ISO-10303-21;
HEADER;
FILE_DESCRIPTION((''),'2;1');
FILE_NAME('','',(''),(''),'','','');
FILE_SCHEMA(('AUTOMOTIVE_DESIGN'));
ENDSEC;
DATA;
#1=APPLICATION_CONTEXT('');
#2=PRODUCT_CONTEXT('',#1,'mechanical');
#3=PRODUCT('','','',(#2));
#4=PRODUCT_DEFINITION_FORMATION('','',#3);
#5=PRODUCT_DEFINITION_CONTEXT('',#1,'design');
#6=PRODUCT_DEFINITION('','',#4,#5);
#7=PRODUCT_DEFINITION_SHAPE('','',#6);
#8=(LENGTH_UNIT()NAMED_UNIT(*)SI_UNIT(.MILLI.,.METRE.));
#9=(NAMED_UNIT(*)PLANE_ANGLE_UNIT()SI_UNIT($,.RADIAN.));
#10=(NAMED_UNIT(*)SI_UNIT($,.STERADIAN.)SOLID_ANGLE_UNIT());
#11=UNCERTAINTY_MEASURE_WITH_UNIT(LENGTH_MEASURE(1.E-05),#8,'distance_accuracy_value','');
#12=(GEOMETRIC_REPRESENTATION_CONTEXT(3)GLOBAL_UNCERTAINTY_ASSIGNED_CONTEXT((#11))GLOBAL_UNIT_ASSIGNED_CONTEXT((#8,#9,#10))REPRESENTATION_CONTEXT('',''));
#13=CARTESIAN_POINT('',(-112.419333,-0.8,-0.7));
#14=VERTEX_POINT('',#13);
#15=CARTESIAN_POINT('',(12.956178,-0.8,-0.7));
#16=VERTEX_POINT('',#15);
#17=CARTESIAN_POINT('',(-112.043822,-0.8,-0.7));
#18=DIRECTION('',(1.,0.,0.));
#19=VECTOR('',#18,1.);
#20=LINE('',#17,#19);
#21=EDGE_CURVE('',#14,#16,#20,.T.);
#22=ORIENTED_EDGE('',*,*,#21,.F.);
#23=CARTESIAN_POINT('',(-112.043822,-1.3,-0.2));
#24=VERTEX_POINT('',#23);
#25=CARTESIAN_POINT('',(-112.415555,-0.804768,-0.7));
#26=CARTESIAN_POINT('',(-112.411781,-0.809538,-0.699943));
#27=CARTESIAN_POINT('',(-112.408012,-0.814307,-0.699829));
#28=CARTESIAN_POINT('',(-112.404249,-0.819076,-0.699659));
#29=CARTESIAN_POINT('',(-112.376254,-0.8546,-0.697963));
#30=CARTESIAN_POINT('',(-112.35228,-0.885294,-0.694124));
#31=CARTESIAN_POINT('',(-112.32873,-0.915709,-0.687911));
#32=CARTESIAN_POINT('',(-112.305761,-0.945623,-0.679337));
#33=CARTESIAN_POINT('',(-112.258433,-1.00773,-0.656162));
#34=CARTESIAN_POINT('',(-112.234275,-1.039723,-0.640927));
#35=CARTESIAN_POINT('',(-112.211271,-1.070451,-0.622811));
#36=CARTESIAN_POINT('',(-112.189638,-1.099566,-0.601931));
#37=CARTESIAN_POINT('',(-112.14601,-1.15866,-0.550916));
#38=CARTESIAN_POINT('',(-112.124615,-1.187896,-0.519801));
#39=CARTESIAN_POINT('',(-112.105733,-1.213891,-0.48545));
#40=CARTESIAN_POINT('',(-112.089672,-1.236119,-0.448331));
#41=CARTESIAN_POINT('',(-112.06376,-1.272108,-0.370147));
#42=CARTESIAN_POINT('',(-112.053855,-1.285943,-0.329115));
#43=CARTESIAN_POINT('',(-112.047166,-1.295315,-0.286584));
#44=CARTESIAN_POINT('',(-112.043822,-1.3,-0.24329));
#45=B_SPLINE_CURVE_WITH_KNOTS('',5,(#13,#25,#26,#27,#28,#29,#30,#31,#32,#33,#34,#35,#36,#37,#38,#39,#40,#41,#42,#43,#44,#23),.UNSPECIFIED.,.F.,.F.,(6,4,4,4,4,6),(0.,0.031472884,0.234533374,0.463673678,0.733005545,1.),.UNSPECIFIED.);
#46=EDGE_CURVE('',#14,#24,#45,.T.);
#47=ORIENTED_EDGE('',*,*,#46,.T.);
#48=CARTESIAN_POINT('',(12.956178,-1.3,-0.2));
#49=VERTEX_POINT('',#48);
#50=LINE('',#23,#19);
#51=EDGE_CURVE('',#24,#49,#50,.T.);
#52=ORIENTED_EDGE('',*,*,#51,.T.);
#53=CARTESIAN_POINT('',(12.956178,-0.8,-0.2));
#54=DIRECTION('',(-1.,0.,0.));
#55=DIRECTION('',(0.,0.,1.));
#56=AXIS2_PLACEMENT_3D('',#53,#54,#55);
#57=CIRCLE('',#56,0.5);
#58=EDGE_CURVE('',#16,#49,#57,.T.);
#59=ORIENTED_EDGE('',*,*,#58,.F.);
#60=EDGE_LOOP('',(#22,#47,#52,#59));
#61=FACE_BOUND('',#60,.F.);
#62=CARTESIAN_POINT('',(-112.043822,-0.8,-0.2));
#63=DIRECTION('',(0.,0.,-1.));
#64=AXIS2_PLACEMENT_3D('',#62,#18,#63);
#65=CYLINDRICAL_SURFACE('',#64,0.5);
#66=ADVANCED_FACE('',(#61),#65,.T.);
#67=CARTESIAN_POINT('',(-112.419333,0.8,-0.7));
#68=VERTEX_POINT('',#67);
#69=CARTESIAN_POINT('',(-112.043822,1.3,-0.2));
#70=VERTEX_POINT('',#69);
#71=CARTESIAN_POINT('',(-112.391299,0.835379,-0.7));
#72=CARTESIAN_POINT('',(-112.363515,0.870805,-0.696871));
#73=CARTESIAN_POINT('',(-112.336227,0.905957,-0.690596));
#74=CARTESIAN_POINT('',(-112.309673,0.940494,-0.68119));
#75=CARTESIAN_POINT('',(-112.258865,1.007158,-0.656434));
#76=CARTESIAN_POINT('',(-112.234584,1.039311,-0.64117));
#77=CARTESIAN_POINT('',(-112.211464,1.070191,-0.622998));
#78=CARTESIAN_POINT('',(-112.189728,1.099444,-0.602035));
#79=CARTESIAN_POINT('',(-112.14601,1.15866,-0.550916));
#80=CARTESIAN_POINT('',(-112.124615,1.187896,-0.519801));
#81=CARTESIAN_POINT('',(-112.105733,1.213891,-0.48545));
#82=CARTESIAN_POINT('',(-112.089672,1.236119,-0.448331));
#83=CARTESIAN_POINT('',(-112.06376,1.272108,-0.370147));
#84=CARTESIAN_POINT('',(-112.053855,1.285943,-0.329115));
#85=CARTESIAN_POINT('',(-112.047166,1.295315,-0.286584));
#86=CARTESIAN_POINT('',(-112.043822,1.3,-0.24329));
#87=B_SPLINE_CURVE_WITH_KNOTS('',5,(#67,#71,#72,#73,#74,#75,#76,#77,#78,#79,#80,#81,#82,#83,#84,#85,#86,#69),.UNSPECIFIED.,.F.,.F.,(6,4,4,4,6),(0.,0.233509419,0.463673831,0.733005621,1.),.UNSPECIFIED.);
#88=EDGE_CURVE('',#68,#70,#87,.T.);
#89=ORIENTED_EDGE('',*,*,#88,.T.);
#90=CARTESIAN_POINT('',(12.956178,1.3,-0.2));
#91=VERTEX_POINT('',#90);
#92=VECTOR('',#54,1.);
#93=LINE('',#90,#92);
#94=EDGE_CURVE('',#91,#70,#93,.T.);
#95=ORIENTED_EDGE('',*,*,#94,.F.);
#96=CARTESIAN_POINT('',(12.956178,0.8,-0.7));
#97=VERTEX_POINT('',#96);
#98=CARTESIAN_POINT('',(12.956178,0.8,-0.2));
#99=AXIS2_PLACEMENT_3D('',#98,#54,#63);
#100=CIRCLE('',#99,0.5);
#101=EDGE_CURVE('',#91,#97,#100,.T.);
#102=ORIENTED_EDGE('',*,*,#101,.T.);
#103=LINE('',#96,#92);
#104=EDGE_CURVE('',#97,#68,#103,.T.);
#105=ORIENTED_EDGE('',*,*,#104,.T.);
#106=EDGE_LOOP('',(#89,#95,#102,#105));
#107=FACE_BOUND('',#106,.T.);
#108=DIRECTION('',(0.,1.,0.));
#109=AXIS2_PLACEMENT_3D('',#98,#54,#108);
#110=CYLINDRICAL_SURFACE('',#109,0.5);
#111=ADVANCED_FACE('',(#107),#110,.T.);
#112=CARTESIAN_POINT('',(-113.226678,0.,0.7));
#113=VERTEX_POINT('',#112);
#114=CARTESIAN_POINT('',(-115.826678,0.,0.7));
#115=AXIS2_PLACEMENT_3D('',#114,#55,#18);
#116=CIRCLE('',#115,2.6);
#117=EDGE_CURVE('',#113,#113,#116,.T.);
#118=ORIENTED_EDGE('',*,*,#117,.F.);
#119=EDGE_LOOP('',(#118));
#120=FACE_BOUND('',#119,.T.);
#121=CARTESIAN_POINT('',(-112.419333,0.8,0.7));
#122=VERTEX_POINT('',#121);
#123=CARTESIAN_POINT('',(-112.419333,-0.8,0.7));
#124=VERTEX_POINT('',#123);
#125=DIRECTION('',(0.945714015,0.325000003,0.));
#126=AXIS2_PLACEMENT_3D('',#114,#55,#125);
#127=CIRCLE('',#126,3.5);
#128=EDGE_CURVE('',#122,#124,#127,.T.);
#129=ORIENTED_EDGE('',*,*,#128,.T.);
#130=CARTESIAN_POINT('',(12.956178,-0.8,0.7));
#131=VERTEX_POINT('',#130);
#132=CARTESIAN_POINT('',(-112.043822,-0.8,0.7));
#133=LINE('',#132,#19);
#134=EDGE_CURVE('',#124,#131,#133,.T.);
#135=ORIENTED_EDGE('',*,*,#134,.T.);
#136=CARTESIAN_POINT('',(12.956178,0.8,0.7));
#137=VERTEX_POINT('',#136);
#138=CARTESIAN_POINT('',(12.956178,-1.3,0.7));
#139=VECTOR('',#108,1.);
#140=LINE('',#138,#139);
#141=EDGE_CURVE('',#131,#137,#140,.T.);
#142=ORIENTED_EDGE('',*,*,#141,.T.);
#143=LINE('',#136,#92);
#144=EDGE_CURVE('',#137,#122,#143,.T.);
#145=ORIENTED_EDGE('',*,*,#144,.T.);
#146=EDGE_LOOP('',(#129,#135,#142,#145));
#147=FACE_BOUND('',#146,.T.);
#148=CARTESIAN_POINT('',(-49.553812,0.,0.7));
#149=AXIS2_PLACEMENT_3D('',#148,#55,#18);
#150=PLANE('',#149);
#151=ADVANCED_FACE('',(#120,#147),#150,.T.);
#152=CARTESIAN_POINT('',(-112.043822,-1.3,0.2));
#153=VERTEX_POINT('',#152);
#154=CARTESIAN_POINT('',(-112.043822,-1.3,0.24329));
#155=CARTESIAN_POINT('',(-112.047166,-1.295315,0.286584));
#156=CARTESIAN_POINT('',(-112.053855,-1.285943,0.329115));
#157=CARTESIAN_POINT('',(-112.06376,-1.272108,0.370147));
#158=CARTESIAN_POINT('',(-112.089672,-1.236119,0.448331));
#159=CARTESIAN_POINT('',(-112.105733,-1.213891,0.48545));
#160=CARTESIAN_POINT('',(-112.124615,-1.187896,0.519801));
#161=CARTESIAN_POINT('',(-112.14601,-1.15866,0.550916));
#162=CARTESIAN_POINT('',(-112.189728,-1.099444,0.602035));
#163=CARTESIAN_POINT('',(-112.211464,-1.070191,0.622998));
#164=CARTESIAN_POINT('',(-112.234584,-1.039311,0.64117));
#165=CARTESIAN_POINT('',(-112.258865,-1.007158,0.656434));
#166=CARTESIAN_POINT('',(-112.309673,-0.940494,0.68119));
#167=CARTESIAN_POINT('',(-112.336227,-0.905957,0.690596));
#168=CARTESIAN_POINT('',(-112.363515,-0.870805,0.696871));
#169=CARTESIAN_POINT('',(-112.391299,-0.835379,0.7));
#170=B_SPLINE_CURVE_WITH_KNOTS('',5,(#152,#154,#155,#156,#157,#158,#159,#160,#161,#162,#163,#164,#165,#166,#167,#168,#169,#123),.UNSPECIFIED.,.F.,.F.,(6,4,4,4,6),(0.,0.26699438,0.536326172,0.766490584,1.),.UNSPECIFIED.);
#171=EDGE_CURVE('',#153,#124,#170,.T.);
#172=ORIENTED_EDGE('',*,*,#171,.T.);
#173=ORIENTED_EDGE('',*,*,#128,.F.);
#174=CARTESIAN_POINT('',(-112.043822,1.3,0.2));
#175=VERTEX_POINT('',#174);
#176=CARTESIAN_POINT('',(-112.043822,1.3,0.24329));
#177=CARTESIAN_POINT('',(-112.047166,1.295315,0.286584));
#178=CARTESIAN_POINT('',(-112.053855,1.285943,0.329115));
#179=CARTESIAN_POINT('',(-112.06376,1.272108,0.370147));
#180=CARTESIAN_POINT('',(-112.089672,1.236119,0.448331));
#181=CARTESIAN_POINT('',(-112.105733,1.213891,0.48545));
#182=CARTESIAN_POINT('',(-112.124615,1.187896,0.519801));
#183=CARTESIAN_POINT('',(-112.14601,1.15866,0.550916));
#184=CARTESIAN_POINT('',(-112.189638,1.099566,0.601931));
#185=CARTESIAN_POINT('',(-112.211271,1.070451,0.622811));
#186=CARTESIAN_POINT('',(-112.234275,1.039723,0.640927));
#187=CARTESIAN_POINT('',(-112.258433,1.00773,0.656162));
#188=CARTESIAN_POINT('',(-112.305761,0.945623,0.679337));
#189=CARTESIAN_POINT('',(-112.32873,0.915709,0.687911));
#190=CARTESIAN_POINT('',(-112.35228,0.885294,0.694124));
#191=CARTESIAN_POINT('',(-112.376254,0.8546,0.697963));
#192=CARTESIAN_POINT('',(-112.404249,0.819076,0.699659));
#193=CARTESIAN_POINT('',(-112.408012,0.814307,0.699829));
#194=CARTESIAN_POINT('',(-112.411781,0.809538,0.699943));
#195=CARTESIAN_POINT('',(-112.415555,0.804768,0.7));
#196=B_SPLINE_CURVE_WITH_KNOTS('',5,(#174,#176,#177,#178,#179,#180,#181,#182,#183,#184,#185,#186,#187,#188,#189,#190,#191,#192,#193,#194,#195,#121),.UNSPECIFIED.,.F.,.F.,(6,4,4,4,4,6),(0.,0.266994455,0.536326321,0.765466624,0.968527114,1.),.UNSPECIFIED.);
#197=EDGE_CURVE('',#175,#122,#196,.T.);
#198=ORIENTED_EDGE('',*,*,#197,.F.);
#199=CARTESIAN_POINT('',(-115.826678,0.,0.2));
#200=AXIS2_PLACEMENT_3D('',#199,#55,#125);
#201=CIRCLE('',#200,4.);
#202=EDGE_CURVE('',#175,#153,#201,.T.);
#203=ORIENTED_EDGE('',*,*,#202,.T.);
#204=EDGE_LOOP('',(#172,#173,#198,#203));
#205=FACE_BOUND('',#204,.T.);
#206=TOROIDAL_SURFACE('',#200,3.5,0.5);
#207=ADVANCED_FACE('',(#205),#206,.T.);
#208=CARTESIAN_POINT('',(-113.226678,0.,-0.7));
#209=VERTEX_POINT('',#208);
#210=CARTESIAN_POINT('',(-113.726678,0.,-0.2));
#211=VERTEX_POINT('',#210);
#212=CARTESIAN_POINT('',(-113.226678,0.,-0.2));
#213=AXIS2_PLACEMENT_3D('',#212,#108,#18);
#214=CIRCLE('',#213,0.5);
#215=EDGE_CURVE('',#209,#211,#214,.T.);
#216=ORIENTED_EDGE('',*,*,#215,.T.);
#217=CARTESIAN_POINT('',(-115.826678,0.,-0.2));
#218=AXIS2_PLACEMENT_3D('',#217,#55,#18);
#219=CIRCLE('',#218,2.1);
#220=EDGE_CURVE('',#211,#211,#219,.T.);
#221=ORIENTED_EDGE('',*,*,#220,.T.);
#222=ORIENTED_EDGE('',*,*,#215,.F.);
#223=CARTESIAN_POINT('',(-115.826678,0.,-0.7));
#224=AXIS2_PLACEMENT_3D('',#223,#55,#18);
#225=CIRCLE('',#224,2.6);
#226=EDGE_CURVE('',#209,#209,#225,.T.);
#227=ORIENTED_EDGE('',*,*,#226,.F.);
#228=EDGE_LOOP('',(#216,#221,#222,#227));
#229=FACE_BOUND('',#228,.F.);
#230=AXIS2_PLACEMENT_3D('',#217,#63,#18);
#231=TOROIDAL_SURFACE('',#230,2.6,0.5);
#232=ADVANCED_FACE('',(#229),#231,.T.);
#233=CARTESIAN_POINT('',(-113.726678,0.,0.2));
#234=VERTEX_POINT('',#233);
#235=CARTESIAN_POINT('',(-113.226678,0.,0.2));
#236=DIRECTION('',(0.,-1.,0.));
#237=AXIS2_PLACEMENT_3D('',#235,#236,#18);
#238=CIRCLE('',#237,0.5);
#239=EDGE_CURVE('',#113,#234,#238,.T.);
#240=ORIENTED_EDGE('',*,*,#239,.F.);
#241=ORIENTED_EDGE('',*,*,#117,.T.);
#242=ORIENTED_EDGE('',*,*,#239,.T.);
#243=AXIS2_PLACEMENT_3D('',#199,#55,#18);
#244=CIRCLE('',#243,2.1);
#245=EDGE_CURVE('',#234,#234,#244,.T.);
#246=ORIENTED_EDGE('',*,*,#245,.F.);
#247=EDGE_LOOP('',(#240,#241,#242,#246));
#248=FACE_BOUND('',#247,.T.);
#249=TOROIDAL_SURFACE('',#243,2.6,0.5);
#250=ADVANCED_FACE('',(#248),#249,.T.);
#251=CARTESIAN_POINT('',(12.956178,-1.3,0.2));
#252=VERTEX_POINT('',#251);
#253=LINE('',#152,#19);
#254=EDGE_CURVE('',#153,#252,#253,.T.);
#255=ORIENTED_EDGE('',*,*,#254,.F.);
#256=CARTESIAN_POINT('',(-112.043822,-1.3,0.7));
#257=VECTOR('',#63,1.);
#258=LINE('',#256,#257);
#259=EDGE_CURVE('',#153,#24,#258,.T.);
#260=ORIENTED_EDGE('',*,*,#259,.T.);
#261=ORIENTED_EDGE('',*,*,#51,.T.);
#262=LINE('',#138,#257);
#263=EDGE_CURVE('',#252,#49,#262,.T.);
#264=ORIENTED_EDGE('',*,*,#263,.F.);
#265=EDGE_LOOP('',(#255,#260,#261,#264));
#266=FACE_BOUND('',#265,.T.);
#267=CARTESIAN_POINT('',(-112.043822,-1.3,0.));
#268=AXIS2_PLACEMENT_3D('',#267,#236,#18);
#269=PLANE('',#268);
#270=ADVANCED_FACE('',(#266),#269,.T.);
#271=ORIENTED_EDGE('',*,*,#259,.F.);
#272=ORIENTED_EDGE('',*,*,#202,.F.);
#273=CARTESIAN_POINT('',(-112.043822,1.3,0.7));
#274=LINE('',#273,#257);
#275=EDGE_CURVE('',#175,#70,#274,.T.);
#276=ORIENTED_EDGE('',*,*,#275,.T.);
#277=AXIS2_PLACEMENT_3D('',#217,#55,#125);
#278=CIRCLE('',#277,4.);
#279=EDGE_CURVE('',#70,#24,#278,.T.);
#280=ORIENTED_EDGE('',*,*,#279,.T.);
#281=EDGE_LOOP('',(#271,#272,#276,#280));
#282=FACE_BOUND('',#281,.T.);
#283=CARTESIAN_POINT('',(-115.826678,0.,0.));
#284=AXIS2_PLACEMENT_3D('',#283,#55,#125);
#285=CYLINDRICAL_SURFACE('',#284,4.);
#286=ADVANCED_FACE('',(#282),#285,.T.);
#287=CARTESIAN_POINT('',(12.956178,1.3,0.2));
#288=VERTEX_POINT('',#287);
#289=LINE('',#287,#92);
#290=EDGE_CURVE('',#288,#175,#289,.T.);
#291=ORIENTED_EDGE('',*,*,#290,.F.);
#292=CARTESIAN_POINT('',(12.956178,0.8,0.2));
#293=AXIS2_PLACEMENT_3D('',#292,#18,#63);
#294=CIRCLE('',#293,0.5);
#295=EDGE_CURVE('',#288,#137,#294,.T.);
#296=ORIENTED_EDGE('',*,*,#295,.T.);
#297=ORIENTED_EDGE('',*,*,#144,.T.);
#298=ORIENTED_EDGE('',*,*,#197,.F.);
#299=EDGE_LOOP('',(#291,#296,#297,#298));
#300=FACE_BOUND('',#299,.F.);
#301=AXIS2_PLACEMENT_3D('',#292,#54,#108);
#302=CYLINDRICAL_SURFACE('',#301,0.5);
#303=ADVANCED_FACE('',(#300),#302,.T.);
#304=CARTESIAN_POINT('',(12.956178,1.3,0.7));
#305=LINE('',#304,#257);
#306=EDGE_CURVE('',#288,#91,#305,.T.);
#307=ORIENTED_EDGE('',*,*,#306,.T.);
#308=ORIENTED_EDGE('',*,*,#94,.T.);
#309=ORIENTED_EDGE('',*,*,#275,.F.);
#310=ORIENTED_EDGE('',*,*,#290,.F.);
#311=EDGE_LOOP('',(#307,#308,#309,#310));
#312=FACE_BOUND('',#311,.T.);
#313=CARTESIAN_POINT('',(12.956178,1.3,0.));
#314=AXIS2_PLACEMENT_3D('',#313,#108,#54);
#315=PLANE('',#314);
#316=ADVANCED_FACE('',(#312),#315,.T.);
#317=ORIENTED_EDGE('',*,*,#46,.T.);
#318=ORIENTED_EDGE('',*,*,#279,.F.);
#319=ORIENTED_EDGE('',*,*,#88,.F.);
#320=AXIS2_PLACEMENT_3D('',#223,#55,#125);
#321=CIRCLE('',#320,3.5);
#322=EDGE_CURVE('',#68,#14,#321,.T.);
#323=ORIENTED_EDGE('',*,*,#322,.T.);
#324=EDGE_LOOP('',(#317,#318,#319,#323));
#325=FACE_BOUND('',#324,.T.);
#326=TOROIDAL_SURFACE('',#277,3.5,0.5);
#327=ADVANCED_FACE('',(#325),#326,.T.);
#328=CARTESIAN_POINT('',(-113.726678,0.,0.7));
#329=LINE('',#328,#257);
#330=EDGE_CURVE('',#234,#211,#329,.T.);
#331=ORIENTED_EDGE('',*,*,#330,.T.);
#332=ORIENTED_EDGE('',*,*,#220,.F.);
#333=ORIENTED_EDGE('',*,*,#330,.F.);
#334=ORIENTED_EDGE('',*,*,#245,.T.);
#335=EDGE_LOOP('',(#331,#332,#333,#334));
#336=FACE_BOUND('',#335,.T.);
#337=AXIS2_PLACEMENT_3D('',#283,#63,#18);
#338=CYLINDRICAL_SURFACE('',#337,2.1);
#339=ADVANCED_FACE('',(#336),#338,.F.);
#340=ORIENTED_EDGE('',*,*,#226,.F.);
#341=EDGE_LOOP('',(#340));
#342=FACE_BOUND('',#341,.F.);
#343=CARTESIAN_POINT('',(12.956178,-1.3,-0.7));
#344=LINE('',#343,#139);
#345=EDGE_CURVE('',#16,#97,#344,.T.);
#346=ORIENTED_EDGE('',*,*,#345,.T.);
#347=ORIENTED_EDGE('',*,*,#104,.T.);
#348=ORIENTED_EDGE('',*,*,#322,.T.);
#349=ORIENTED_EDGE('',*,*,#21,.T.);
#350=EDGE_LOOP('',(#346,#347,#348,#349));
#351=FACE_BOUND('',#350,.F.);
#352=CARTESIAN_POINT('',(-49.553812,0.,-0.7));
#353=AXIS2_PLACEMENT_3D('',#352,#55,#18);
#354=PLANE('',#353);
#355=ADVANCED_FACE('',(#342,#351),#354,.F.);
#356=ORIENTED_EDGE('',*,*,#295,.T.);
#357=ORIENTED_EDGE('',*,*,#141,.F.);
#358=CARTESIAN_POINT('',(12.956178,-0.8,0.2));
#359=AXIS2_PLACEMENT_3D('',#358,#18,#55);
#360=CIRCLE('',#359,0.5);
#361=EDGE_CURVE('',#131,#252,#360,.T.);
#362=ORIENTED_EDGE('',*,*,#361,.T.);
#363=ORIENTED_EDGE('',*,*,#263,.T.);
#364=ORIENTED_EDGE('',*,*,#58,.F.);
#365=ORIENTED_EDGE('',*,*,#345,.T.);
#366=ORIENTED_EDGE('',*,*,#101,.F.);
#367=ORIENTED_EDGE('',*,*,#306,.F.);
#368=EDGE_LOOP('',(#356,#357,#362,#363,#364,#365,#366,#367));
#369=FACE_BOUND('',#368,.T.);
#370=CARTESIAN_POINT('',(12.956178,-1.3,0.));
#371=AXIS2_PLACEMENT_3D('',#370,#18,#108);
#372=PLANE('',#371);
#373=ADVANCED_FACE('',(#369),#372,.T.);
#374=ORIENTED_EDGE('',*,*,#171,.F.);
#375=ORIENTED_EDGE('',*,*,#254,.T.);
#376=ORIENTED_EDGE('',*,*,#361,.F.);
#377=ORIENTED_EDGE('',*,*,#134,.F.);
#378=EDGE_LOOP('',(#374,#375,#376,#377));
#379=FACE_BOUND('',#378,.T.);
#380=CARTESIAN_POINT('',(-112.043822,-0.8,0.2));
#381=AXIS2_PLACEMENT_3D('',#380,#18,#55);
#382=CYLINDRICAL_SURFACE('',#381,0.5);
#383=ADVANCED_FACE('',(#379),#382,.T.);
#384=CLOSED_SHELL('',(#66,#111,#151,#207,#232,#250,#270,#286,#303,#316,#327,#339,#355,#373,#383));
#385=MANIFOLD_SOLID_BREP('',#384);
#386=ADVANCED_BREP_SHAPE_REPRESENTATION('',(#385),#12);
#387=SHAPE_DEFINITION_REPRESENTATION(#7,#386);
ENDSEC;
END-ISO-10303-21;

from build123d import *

# Parameters (mm, degrees)
F0_R     = 2.1
F1_DEPTH = 0.7
F2_DEPTH = 0.7
F3_R     = 0.5


with BuildPart() as f1:
    # F0 (on Top) → F1 (new body, symmetric)
    with BuildSketch(Plane.XY):
        with BuildLine():
            ThreePointArc((-112.043822, -1.3), (-111.881337, -0.659005), (-111.826678, 0))
            ThreePointArc((-111.826678, 0), (-111.881337, 0.659005), (-112.043822, 1.3))
            ThreePointArc((-112.043822, 1.3), (-119.826678, 0), (-112.043822, -1.3))
        make_face()
        with Locations((-115.826678, 0)):
            Circle(F0_R, mode=Mode.SUBTRACT)
    extrude(amount=F1_DEPTH, both=True)

    # F0 (on Top) → F2 (join, symmetric)
    with BuildSketch(Plane.XY):
        with BuildLine():
            ThreePointArc((-112.043822, 1.3), (-111.881337, 0.659005), (-111.826678, 0))
            ThreePointArc((-111.826678, 0), (-111.881337, -0.659005), (-112.043822, -1.3))
            Line((-112.043822, -1.3), (12.956178, -1.3))
            Line((12.956178, -1.3), (12.956178, 0))
            Line((12.956178, 0), (12.956178, 1.3))
            Line((12.956178, 1.3), (-112.043822, 1.3))
        make_face()
    extrude(amount=F2_DEPTH, both=True)

    # F3
    f3_edges = [f1.edges().sort_by_distance(p)[0] for p in [
        (-117.926678, 0, 0.7),
        (-117.926678, 0, -0.7),
        (-119.826678, 0, -0.7),
        (-119.826678, 0, 0.7),
        (-49.543822, 1.3, 0.7),
        (-49.543822, -1.3, 0.7),
        (-49.543822, 1.3, -0.7),
        (-49.543822, -1.3, -0.7),
    ]]
    fillet(f3_edges, radius=F3_R)


solid = f1.part
